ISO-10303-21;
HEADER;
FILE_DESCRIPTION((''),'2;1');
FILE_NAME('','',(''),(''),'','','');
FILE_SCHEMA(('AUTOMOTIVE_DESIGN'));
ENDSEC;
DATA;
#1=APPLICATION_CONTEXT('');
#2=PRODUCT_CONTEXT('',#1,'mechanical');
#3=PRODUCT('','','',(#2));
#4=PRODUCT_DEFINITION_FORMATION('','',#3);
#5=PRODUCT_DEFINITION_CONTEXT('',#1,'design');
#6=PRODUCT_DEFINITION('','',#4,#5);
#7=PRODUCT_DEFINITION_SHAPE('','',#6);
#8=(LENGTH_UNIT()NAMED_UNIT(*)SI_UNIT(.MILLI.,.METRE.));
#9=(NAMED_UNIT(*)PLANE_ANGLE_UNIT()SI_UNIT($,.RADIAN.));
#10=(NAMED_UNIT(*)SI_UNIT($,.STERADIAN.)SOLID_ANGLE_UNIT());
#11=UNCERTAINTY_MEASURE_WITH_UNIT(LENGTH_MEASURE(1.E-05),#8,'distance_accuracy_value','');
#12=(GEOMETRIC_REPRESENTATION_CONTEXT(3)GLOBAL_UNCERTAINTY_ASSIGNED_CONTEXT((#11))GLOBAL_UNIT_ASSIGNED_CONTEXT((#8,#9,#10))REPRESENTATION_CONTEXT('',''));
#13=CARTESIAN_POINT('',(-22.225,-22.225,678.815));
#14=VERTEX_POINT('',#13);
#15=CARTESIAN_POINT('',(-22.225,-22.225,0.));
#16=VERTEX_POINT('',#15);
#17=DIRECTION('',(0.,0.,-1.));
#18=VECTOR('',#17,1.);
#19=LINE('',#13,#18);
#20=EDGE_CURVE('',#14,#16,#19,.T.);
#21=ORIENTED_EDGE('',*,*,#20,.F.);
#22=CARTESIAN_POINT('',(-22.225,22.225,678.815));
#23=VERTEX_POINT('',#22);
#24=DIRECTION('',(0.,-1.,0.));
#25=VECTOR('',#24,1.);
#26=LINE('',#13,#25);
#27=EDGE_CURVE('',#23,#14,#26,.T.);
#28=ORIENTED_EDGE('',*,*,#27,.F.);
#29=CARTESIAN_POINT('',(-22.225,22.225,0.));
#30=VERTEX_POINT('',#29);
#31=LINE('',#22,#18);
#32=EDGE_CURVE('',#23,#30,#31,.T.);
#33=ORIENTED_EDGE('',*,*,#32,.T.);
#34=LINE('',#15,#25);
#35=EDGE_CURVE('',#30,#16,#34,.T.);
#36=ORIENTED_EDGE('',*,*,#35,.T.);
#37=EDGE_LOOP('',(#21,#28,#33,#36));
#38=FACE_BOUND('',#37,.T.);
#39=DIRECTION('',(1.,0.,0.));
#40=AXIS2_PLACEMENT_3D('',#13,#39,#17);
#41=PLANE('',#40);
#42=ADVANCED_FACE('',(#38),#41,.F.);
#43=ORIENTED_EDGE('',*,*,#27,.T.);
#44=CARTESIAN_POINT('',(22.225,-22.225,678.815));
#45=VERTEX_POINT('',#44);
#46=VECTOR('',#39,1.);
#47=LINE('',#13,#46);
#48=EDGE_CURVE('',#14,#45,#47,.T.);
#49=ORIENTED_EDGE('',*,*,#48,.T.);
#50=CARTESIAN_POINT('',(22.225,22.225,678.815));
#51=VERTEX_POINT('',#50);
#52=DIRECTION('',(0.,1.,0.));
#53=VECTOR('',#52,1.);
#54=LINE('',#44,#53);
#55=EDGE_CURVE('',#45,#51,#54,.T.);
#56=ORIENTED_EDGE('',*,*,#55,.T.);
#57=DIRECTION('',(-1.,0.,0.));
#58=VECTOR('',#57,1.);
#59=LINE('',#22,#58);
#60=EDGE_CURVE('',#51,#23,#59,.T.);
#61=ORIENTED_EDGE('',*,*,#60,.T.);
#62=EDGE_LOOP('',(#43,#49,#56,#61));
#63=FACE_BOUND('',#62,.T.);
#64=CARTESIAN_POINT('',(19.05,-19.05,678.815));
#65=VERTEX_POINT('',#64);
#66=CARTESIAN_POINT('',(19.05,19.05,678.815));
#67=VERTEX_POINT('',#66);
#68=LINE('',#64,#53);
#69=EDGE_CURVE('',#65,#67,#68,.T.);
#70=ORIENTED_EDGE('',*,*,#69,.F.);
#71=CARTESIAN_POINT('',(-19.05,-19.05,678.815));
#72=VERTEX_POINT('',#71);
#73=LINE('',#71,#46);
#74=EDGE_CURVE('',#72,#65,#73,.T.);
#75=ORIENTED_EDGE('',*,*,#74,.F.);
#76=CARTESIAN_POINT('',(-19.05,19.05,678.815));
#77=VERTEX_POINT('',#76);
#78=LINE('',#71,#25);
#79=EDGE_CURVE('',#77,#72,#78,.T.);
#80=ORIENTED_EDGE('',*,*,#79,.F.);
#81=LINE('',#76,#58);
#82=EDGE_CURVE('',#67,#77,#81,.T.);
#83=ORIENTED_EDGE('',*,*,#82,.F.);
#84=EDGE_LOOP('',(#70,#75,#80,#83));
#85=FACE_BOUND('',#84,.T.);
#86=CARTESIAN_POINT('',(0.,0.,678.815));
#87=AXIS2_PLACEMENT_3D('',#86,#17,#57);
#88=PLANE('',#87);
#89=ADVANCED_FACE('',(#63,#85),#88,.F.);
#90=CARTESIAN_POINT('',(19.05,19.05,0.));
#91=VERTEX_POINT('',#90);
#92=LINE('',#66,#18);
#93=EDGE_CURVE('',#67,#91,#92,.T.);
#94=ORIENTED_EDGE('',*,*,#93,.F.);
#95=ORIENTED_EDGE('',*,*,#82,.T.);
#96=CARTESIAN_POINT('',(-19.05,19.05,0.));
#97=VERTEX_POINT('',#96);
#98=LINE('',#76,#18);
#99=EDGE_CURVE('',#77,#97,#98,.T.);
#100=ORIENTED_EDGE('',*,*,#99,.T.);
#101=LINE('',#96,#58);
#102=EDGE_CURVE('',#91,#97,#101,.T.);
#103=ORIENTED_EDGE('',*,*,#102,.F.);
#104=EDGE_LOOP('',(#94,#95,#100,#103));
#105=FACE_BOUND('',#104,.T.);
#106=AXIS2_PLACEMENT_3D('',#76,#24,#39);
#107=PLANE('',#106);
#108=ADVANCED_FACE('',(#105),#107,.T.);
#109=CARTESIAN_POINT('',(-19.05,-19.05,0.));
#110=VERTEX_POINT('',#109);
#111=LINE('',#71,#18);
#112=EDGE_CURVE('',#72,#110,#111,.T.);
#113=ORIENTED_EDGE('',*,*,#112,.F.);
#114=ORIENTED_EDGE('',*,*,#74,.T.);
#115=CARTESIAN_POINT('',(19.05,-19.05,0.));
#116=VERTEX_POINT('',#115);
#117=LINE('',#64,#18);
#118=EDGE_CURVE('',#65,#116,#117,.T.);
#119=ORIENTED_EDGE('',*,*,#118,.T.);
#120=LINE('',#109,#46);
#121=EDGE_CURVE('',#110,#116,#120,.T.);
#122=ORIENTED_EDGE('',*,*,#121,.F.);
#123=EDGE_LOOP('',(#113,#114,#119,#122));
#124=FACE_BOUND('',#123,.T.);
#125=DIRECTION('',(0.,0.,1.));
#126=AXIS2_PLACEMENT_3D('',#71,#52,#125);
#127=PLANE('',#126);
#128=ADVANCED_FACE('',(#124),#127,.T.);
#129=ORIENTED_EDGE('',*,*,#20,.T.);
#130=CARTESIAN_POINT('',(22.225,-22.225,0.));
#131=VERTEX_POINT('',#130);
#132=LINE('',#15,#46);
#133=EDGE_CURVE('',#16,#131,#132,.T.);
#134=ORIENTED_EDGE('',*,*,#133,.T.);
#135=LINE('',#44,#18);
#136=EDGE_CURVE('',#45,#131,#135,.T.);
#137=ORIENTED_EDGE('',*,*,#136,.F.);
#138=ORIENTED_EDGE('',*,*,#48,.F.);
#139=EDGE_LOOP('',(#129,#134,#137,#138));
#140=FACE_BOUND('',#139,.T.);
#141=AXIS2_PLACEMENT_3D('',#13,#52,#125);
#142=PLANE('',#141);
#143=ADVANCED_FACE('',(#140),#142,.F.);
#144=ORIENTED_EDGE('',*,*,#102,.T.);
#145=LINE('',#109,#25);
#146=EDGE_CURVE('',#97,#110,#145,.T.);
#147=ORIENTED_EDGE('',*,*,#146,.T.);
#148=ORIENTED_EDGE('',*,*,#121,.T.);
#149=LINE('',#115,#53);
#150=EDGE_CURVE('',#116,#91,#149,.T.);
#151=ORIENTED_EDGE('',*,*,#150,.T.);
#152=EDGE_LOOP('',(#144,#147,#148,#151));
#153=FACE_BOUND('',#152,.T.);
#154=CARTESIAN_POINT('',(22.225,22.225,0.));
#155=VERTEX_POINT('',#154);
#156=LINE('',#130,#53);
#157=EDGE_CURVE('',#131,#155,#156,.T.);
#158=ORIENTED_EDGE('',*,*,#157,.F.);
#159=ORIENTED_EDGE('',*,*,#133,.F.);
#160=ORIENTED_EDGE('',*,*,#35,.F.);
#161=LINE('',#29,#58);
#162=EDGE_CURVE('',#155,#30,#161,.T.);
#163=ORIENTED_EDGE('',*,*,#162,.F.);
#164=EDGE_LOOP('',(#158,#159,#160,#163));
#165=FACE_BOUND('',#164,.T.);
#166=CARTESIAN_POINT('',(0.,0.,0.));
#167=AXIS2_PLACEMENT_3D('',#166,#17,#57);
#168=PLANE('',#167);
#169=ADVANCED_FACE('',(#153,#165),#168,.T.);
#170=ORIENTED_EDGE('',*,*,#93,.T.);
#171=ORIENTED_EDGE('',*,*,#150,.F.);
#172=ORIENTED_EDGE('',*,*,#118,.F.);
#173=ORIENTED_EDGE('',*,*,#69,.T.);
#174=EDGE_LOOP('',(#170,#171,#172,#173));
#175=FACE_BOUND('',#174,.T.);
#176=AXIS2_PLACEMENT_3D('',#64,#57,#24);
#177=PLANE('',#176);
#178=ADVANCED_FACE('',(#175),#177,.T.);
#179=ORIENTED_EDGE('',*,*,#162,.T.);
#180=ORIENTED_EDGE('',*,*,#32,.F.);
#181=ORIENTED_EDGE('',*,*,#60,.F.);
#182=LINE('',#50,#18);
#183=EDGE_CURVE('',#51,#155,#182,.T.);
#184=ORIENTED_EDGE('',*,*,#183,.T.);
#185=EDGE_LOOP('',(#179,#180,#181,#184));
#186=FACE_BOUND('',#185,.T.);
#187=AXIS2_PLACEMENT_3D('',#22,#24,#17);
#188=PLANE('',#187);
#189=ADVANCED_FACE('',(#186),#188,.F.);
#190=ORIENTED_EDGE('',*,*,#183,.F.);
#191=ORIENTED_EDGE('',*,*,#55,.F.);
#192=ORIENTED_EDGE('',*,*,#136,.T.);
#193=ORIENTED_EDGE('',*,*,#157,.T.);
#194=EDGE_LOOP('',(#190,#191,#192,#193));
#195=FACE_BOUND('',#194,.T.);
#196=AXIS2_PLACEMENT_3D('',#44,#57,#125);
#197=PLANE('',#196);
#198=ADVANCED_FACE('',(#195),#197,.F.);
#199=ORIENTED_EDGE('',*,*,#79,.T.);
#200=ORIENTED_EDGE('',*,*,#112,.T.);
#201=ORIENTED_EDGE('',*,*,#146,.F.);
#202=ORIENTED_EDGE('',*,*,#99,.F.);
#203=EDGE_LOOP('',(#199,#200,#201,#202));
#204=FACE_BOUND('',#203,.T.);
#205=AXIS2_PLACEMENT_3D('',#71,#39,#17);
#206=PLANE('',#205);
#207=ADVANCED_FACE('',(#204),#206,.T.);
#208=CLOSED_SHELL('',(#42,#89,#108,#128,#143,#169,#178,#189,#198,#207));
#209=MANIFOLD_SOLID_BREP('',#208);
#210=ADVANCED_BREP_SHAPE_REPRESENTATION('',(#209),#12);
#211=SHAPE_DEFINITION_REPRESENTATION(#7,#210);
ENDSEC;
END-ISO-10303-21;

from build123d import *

# Parameters (mm, degrees)
SKETCH1_W           = 44.45
SKETCH1_H           = 44.45
SKETCH1_W_2         = 38.1
SKETCH1_H_2         = 38.1
BOSS_EXTRUDE1_DEPTH = 678.815


with BuildPart() as part:
    # Sketch1 → Boss-Extrude1 (new body)
    with BuildSketch(Plane.XY):
        Rectangle(SKETCH1_W, SKETCH1_H)
        Rectangle(SKETCH1_W_2, SKETCH1_H_2, mode=Mode.SUBTRACT)
    extrude(amount=BOSS_EXTRUDE1_DEPTH)


solid = part.part
